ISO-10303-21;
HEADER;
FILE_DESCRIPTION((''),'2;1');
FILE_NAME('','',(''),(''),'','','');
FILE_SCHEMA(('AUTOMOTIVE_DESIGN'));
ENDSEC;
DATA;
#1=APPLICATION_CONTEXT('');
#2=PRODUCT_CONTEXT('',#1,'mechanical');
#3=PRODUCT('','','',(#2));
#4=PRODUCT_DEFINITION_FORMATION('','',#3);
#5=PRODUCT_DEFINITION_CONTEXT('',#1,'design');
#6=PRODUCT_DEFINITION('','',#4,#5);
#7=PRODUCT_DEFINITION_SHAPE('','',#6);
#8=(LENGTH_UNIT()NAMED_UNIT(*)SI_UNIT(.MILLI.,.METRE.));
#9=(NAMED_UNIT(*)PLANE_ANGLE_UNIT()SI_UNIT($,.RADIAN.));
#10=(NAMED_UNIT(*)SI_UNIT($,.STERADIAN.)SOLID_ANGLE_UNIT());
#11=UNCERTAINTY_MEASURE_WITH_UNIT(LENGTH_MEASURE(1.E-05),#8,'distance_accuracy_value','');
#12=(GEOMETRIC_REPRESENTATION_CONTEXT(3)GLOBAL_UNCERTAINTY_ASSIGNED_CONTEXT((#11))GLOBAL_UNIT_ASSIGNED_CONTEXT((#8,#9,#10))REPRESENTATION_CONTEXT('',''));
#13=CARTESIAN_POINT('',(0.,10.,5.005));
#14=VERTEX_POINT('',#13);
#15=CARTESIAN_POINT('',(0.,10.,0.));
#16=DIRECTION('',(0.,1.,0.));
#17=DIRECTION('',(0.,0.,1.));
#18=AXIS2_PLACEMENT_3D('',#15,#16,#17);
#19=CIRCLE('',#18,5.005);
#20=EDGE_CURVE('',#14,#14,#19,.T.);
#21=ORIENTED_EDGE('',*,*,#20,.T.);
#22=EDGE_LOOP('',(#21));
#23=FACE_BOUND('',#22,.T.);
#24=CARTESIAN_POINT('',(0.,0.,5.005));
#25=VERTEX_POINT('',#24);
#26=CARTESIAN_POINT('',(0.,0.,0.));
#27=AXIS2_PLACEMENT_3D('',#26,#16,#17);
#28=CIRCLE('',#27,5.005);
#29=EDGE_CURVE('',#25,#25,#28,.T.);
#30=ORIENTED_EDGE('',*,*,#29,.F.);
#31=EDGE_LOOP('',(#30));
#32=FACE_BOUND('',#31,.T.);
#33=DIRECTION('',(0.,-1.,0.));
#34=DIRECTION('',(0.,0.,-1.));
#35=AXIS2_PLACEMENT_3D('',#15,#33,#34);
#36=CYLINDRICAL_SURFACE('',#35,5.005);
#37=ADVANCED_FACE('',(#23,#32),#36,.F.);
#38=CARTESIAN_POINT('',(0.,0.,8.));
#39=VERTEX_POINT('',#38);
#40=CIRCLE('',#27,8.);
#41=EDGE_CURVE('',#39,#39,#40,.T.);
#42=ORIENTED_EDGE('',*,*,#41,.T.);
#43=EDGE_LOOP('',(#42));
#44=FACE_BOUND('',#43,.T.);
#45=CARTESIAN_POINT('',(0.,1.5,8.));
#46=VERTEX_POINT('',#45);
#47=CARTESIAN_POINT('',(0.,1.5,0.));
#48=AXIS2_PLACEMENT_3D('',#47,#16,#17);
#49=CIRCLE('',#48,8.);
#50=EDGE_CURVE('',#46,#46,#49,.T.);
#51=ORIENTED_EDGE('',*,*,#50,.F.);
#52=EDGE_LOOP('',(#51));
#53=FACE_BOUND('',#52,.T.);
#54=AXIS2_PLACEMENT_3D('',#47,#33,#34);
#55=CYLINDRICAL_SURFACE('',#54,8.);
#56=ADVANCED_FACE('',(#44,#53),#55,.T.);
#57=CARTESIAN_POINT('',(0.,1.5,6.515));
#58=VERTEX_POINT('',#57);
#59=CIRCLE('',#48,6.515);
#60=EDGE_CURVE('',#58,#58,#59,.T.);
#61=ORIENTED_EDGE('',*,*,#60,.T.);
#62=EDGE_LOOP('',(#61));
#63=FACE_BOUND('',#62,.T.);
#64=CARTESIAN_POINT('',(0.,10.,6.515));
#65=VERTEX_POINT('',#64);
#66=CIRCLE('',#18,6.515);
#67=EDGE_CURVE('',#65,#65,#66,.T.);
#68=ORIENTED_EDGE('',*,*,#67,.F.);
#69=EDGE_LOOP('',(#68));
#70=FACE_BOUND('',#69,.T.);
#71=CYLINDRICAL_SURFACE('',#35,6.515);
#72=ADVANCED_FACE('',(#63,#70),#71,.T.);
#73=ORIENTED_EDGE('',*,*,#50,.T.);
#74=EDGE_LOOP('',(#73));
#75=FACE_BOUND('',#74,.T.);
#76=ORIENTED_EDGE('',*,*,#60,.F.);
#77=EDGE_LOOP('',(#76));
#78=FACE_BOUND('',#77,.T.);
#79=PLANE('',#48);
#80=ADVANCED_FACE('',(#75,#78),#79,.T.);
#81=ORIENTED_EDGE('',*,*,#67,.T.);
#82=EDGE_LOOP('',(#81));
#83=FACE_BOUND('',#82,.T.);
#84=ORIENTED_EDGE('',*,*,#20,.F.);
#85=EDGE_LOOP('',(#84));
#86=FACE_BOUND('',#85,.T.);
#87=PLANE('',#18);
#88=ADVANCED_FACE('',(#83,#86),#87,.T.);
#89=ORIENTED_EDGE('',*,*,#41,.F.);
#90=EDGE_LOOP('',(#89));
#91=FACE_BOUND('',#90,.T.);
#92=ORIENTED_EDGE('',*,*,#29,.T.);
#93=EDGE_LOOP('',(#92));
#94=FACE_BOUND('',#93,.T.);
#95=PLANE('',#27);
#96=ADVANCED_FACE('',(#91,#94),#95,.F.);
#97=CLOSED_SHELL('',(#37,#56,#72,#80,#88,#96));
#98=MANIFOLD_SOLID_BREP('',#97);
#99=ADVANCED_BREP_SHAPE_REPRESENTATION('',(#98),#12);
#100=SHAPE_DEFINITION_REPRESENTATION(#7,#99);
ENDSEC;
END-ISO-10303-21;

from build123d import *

# Parameters (mm, degrees)
SKETCH2_R           = 6.515
SKETCH2_R_2         = 5.005
BOSS_EXTRUDE1_DEPTH = 10
SKETCH3_R           = 8
SKETCH3_R_2         = 6.515
BOSS_EXTRUDE2_DEPTH = 1.5


with BuildPart() as part:
    # Sketch2 → Boss-Extrude1 (new body)
    with BuildSketch(Plane(origin=(0, 0, 0), x_dir=(1, 0, 0), z_dir=(0, 1, 0))):
        Circle(SKETCH2_R)
        Circle(SKETCH2_R_2, mode=Mode.SUBTRACT)
    extrude(amount=BOSS_EXTRUDE1_DEPTH)

    # Sketch3 → Boss-Extrude2 (add)
    with BuildSketch(Plane(origin=(0, 0, 0), x_dir=(1, 0, 0), z_dir=(0, 1, 0))):
        Circle(SKETCH3_R)
        Circle(SKETCH3_R_2, mode=Mode.SUBTRACT)
    extrude(amount=BOSS_EXTRUDE2_DEPTH)


solid = part.part
